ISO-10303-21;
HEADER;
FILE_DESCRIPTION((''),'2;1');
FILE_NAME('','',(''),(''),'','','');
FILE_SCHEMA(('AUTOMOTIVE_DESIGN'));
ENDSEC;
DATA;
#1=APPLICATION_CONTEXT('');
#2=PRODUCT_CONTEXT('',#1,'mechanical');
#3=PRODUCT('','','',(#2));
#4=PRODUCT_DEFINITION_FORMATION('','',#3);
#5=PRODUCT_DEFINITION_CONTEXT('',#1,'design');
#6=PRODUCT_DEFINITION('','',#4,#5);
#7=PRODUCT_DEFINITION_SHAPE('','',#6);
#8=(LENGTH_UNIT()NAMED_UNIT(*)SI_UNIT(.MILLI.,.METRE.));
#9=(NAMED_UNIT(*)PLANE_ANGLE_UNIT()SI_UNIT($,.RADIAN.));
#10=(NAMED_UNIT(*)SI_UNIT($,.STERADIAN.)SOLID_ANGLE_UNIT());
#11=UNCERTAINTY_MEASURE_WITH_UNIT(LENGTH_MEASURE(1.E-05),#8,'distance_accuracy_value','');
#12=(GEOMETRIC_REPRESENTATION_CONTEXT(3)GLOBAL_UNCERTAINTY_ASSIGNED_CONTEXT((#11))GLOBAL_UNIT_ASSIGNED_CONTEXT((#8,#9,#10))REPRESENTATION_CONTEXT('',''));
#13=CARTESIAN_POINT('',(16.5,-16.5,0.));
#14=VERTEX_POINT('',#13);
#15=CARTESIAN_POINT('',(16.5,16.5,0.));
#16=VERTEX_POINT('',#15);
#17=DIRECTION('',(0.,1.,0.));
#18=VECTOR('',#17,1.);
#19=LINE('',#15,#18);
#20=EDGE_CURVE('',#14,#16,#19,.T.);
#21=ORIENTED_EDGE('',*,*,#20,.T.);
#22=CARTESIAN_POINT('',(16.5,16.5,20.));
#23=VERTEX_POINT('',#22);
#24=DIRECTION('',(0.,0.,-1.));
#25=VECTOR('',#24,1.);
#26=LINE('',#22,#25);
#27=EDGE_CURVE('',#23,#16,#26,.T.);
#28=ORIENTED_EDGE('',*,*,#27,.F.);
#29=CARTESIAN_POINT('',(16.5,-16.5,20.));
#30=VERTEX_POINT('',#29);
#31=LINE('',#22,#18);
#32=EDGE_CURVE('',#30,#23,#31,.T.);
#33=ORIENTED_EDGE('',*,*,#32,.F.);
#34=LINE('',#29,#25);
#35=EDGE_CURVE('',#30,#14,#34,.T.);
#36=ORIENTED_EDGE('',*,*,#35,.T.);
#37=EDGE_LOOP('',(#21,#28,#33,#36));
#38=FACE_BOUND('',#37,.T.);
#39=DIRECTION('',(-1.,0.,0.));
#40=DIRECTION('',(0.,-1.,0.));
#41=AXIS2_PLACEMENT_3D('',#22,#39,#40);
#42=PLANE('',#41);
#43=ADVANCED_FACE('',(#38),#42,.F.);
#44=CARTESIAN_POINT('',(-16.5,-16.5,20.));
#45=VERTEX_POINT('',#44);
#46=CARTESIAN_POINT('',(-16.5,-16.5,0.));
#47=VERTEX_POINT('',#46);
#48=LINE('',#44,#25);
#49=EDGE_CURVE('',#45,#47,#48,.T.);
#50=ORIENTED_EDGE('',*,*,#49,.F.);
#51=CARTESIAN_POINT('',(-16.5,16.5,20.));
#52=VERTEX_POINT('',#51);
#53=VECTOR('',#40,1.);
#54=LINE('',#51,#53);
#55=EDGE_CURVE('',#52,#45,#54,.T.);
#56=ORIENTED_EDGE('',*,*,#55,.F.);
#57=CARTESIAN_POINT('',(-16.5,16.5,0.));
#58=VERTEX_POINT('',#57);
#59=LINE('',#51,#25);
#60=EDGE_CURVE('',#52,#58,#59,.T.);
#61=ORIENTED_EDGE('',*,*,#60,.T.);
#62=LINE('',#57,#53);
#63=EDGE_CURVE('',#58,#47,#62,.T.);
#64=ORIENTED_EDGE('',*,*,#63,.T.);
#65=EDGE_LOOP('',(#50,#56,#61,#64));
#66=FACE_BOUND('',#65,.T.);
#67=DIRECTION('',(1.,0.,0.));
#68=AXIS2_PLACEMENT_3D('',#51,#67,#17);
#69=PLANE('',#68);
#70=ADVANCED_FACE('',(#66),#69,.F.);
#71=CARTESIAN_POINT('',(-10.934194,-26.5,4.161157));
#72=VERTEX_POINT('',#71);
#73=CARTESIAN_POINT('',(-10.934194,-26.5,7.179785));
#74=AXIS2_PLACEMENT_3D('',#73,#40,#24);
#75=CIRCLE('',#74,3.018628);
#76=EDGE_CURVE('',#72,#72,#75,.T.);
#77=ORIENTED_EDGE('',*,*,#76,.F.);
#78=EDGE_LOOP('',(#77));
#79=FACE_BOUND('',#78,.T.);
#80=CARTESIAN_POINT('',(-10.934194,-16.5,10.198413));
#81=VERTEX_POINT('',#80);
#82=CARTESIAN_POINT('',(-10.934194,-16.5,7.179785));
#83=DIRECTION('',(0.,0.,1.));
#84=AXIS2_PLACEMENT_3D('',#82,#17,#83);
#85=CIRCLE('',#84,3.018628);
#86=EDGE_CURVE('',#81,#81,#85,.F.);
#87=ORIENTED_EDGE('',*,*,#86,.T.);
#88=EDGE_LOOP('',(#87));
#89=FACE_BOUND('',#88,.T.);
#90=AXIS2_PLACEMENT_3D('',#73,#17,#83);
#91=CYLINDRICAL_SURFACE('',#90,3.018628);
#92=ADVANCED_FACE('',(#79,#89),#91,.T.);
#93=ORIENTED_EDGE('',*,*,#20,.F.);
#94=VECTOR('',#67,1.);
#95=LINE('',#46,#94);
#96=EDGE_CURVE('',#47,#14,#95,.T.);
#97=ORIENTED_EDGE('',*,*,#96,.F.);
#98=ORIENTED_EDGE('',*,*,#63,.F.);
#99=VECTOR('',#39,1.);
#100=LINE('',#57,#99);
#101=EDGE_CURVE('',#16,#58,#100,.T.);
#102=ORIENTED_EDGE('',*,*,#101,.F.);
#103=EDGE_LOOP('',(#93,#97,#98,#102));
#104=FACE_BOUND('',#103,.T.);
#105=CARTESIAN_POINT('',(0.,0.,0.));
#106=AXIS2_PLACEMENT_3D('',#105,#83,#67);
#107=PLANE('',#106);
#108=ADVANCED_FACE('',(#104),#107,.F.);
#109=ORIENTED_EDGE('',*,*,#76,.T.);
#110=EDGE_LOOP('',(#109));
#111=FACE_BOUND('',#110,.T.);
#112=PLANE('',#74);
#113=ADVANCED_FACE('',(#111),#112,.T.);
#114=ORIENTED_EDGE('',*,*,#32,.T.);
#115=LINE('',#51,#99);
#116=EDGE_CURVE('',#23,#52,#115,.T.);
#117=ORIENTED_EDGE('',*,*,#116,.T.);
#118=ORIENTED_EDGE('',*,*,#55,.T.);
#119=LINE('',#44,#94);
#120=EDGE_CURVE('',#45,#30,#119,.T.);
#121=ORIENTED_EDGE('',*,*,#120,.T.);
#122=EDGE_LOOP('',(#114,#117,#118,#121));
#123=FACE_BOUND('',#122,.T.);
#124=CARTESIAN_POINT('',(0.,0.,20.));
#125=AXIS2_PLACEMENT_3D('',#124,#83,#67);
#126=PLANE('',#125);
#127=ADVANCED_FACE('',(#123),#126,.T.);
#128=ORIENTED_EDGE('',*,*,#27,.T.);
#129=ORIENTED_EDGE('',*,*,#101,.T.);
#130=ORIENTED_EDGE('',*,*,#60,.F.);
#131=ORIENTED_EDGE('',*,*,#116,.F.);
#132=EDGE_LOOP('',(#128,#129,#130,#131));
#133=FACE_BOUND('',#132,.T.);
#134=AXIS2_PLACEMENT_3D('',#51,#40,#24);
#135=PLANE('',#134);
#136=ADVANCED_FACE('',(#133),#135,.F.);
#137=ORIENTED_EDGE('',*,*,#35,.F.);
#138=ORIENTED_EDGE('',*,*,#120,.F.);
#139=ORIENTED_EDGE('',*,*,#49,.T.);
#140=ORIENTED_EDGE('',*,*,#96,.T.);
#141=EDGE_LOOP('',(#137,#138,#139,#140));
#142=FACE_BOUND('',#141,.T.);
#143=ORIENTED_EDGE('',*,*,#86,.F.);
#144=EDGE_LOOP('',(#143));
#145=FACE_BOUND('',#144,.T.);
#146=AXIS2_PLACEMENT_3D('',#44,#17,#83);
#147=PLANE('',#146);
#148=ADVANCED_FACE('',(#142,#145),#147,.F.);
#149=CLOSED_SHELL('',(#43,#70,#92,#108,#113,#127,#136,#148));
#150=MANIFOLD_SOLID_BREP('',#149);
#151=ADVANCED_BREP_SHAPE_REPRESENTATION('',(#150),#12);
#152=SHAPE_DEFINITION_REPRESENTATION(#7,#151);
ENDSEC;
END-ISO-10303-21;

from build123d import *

# Parameters (mm, degrees)
SKETCH1_W           = 33
SKETCH1_H           = 33
BOSS_EXTRUDE1_DEPTH = 20
SKETCH2_R           = 3.018628297
BOSS_EXTRUDE2_DEPTH = 10


with BuildPart() as part:
    # Sketch1 → Boss-Extrude1 (new body)
    with BuildSketch(Plane.XY):
        Rectangle(SKETCH1_W, SKETCH1_H)
    extrude(amount=BOSS_EXTRUDE1_DEPTH)

    # Sketch2 → Boss-Extrude2 (add)
    with BuildSketch(Plane.XZ.offset(16.5)):
        with Locations(Location((-10.934193972, 7.179785009, 0), (0, 0, 90))):
            Circle(SKETCH2_R)
    extrude(amount=BOSS_EXTRUDE2_DEPTH)


solid = part.part
